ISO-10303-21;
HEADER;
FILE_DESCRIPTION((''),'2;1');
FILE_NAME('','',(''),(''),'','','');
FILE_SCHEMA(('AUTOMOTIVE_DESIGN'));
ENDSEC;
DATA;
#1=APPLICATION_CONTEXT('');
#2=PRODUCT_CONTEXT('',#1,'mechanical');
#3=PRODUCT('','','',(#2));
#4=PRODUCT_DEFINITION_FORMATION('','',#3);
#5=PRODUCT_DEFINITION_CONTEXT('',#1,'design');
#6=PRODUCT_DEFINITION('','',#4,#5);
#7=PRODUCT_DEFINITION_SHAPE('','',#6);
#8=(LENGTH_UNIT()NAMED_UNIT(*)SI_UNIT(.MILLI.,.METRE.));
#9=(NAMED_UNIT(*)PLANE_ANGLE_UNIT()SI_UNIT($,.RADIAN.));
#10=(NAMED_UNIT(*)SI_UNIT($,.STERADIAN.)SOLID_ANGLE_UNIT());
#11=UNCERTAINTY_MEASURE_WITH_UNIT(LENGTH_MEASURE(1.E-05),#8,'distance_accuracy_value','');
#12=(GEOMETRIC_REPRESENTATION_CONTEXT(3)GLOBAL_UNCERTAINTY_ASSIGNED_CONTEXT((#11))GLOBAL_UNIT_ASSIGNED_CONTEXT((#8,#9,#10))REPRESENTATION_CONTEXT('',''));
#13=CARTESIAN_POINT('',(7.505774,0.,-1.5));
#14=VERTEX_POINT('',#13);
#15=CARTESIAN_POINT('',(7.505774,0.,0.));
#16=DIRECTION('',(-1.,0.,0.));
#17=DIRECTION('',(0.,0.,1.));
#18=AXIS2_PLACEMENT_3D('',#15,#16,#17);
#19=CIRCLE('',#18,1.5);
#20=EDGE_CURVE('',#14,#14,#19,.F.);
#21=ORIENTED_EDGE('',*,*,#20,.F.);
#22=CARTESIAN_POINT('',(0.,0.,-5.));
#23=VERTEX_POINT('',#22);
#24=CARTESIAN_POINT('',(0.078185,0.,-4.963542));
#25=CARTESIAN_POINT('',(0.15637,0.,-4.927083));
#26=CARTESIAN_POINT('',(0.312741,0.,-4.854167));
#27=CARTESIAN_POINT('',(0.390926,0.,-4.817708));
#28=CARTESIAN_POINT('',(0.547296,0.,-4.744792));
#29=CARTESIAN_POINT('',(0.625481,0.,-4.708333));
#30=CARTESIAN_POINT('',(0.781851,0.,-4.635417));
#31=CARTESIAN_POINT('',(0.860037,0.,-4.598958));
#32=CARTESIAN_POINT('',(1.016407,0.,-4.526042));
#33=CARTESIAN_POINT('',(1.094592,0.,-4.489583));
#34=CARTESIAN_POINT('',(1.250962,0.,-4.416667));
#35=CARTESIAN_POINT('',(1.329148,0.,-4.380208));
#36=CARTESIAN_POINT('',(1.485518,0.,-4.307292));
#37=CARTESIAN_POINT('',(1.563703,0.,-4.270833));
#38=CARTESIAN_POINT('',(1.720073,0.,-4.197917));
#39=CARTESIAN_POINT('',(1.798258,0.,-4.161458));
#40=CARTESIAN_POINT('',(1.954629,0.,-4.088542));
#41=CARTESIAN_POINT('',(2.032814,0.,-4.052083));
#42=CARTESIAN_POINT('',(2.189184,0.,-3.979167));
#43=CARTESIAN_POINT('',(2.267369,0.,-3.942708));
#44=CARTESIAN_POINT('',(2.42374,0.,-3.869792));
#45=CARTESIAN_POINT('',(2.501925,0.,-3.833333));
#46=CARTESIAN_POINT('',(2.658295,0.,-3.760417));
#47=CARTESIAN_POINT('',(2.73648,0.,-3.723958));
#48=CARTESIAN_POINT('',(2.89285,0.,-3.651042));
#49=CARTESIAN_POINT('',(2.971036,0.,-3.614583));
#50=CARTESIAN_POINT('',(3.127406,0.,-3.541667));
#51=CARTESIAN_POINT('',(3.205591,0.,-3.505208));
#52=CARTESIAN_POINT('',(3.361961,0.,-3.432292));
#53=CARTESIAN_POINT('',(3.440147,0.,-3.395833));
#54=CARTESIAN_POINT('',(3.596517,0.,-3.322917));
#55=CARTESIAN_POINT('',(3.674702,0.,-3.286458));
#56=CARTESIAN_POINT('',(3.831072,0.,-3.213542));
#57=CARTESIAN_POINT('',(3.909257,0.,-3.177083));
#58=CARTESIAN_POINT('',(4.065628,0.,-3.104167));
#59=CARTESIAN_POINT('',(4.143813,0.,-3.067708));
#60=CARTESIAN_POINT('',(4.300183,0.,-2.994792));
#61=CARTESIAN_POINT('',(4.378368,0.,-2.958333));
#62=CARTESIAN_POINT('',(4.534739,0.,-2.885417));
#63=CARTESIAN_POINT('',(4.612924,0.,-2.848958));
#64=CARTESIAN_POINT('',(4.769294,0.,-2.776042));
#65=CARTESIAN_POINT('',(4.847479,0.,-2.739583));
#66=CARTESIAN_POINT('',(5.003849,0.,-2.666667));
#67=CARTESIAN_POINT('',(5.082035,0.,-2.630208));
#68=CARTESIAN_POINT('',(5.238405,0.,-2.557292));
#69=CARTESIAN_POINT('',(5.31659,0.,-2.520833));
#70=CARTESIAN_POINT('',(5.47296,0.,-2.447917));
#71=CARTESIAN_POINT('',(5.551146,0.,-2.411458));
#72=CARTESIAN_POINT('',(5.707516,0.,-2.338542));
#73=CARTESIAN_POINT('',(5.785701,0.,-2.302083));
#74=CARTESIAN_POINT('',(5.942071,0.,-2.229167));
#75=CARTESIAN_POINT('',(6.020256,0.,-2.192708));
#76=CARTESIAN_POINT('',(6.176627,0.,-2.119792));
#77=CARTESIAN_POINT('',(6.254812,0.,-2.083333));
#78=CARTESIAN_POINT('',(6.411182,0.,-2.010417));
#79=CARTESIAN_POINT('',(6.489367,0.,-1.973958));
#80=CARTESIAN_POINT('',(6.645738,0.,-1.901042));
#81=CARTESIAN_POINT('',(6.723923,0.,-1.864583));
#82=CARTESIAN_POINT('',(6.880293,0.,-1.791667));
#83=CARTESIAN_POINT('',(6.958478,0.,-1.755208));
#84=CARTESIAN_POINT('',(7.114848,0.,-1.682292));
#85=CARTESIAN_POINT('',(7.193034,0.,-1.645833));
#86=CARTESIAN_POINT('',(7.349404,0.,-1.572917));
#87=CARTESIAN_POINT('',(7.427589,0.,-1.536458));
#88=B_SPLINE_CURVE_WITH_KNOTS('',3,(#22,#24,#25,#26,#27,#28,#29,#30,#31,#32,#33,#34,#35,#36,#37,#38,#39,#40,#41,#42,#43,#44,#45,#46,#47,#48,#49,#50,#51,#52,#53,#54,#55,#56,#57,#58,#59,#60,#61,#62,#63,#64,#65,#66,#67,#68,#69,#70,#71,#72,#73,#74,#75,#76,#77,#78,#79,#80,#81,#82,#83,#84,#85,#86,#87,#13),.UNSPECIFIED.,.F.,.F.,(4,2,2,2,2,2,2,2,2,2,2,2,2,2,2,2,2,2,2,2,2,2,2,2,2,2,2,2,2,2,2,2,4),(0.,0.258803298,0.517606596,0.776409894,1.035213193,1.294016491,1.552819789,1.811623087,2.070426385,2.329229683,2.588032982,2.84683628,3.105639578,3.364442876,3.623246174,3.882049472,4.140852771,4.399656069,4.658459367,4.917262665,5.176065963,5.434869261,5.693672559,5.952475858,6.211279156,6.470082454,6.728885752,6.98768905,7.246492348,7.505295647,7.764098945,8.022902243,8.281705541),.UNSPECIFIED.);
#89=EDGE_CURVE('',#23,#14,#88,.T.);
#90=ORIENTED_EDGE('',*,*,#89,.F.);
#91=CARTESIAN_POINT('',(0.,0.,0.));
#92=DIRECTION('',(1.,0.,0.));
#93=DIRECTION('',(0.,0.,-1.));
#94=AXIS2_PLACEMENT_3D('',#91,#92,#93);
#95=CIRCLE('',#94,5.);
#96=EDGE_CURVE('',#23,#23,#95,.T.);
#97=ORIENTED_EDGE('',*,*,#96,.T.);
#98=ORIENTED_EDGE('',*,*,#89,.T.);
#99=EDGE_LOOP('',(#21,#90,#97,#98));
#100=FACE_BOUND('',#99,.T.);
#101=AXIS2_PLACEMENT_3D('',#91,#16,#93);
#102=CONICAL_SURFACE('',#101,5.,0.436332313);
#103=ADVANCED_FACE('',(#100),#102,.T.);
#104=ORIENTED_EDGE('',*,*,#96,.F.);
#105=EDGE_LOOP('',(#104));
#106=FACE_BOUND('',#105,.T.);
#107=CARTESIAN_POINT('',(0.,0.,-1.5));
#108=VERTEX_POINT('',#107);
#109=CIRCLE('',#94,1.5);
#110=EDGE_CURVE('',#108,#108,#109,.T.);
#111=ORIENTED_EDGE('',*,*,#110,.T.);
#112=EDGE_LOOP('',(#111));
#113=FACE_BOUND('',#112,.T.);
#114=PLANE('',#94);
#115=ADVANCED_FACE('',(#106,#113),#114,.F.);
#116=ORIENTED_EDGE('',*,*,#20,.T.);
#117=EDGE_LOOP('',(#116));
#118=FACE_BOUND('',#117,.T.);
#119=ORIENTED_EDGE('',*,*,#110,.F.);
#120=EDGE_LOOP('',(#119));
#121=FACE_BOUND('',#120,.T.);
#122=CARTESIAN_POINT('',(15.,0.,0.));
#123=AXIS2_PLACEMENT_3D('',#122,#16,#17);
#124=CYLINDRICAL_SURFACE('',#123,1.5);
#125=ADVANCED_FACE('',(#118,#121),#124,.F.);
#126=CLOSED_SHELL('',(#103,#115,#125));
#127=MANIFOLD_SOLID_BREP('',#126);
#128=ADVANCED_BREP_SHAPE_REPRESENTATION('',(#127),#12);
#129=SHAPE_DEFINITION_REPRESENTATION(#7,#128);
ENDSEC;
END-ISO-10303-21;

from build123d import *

# Parameters (mm, degrees)
SKETCH1_4_R        = 1.5
CUT_EXTRUDE1_DEPTH = 15


with BuildPart() as part:
    # Boss-Extrude1 cone 1 section (through the dimple's axis) → Boss-Extrude1 (revolve)
    with BuildSketch(Plane.ZX):
        Polygon((0, 0), (5, 0), (0, 10.722534603), align=None)
    revolve(axis=Axis((0, 0, 0), (1, 0, 0)))

    # Sketch1<4> → Cut-Extrude1 (cut)
    with BuildSketch(Plane(origin=(0, 0, 0), x_dir=(0, 0, -1), z_dir=(1, 0, 0))):
        Circle(SKETCH1_4_R)
    extrude(amount=CUT_EXTRUDE1_DEPTH, mode=Mode.SUBTRACT)


solid = part.part
